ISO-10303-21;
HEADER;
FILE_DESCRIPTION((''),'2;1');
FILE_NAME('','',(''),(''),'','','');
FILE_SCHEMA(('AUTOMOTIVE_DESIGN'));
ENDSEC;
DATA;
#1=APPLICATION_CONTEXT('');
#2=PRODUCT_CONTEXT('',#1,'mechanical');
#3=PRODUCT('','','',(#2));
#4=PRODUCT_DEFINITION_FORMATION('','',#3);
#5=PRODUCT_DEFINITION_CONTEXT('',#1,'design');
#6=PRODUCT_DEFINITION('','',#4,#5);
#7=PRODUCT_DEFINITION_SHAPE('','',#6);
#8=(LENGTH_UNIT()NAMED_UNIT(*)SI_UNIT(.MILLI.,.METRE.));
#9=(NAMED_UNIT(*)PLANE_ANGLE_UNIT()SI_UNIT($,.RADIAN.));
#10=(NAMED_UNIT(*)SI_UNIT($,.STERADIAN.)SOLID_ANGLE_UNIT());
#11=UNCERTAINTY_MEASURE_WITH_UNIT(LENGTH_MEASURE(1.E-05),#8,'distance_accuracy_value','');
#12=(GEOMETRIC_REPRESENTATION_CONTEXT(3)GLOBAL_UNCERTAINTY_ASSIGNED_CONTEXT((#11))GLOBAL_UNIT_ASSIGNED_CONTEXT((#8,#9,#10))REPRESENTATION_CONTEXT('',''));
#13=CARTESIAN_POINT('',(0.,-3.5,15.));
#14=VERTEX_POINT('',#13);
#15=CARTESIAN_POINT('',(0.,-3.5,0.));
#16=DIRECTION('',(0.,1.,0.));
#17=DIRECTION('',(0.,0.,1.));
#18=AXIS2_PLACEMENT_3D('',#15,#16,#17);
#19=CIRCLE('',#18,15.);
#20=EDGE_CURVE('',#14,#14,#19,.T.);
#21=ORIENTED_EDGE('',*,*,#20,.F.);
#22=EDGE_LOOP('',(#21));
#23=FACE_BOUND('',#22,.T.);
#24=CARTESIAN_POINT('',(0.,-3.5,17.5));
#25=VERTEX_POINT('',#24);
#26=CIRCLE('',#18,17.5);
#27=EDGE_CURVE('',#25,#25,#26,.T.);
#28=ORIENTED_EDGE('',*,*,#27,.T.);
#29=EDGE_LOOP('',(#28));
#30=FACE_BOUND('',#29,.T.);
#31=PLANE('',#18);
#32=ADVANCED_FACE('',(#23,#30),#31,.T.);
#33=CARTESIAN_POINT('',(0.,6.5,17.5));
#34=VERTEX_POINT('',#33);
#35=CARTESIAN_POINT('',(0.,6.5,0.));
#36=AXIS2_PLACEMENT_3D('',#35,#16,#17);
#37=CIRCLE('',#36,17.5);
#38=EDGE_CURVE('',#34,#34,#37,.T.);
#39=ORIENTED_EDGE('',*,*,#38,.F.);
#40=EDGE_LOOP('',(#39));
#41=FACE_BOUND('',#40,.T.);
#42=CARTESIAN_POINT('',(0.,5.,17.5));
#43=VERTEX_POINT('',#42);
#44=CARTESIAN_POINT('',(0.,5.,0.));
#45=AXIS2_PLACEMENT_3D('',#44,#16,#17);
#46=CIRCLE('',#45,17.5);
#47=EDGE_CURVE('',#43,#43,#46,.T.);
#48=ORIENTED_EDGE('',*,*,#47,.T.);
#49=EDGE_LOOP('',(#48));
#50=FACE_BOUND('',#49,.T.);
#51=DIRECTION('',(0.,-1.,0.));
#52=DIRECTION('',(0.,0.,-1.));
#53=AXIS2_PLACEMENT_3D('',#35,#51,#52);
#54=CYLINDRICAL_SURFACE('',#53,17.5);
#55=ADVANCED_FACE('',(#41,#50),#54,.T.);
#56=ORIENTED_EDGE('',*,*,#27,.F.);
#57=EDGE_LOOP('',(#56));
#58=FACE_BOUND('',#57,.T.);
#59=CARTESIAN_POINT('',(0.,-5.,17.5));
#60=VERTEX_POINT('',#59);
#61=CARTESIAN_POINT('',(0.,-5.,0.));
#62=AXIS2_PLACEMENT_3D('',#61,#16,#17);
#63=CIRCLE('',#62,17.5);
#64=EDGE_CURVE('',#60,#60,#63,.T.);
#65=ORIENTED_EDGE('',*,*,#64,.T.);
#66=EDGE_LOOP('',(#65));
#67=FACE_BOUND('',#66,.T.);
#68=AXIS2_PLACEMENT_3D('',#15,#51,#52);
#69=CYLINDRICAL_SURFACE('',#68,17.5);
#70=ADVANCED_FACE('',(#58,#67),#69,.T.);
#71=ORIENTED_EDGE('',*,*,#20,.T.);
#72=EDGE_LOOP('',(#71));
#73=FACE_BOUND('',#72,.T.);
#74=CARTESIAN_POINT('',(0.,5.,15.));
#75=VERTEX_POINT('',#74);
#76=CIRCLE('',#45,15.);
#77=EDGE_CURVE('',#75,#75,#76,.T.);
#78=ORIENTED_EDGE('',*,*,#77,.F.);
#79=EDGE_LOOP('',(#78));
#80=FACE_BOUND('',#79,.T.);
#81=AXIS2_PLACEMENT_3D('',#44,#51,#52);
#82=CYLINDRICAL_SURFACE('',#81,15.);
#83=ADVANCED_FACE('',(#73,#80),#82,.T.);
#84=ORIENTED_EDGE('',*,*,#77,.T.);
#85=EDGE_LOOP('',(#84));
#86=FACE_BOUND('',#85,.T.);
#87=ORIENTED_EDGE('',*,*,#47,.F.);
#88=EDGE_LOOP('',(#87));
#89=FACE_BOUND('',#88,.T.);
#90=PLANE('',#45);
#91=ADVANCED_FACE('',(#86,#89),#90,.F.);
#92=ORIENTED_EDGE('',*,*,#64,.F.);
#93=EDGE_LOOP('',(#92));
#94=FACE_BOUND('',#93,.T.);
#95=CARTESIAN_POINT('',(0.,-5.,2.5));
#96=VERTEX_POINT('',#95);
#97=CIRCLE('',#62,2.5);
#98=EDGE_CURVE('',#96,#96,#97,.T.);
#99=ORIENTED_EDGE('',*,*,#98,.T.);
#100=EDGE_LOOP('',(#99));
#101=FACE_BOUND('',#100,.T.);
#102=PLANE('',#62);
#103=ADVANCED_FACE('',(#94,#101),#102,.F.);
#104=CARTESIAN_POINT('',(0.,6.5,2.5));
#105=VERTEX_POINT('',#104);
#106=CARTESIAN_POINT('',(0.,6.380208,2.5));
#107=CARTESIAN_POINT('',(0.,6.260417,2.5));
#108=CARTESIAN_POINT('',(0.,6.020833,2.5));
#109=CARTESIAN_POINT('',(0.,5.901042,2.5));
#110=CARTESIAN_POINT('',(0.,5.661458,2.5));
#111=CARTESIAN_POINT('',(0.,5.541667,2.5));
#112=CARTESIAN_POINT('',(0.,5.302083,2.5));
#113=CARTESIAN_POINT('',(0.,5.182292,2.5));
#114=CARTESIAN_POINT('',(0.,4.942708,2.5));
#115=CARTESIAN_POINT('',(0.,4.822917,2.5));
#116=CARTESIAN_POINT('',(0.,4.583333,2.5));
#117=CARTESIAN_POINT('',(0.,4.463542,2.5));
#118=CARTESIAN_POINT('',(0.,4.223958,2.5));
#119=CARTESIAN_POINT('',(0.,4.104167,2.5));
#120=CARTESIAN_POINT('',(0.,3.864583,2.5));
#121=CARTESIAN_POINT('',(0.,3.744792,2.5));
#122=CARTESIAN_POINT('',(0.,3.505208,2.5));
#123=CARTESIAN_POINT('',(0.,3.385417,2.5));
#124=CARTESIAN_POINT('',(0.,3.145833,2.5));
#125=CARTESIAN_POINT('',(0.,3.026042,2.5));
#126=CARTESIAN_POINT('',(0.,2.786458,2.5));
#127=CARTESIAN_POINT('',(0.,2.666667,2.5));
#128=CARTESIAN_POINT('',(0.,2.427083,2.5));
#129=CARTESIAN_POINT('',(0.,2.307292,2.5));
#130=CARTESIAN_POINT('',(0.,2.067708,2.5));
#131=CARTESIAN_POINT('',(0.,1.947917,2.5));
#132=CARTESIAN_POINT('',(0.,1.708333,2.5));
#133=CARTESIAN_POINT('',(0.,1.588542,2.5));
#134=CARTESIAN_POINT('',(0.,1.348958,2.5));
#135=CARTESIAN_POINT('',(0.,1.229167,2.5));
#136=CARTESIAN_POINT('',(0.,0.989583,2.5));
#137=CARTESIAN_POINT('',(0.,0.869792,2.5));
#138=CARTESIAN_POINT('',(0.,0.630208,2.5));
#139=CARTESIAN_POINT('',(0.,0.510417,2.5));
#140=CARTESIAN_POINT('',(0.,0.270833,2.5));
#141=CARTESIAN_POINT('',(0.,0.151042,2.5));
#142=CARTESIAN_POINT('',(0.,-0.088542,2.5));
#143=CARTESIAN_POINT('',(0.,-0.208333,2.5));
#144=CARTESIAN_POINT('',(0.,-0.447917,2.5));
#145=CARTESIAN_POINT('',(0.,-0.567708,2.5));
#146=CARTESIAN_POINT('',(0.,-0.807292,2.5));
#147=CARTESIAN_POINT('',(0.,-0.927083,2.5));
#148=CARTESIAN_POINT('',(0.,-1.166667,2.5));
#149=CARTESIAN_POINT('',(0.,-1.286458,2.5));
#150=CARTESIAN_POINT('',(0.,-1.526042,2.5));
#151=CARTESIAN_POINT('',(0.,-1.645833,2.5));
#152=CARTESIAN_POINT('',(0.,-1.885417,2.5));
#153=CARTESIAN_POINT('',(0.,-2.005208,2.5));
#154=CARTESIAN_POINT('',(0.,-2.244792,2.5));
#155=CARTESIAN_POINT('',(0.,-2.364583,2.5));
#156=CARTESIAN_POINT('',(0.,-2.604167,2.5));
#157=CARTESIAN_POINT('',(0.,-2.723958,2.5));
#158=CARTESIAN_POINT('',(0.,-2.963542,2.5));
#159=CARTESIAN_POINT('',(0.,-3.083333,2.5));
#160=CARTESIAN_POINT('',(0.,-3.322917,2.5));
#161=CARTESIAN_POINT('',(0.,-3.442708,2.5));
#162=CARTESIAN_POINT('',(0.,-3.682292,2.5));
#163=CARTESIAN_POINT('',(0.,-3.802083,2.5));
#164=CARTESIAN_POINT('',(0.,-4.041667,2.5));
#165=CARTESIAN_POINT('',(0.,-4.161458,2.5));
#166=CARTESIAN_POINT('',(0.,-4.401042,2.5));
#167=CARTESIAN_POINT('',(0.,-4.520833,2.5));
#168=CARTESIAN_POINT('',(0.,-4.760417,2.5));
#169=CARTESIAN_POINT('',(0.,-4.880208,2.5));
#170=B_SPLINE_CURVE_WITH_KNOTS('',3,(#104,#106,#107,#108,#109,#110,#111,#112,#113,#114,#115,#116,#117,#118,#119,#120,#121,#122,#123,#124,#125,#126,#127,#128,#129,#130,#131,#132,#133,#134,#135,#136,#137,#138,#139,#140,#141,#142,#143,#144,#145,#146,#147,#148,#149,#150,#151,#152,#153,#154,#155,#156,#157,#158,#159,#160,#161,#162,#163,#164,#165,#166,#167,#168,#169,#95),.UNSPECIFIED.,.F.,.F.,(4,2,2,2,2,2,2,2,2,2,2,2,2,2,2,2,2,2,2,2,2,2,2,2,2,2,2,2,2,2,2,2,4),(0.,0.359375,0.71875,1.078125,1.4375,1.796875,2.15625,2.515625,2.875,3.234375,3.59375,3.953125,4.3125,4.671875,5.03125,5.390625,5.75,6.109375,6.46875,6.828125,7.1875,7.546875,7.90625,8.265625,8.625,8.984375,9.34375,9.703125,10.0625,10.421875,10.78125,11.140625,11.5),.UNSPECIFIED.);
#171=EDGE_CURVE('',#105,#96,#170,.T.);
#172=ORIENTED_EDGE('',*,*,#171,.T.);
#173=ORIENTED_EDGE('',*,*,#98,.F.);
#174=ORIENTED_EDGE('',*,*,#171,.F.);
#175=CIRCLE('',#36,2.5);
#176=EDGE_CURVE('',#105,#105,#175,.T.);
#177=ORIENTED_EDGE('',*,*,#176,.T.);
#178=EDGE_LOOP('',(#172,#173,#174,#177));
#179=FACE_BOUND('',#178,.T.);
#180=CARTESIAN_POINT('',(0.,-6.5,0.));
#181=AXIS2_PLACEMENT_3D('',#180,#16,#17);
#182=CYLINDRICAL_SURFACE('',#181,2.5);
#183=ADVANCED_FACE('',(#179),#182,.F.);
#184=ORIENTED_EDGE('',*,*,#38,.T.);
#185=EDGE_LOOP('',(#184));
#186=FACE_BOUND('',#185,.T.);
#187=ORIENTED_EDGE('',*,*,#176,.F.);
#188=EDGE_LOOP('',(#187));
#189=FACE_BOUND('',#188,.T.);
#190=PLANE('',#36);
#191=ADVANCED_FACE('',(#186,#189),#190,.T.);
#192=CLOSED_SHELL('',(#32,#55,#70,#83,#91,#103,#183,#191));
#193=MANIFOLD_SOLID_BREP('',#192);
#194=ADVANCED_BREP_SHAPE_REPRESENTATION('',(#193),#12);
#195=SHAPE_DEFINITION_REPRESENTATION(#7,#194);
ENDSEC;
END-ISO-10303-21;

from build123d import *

# Parameters (mm, degrees)
SKETCH_205_R        = 15
EXTRUDE_1_DEPTH     = 5
EXTRUDE_START       = 5
SKETCH_286_R        = 17.5
EXTRUDE_1_2_DEPTH   = 1.5
EXTRUDE_START_2     = -5
SKETCH_2_2_R        = 17.5
EXTRUDE_2_DEPTH     = 1.5
SKETCH_407_R        = 2.5
CUT_EXTRUDE_1_DEPTH = 6.5


with BuildPart() as part:
    # Sketch 205 → Extrude 1 (new, symmetric)
    with BuildSketch(Plane(origin=(0, 0, 0), x_dir=(1, 0, 0), z_dir=(0, 1, 0))):
        with Locations(Location((0, 0, 0), (0, 0, 270))):
            Circle(SKETCH_205_R)
    extrude(amount=EXTRUDE_1_DEPTH, both=True)

    # Sketch 286 → Extrude 1 2 (add)
    with BuildSketch(Plane(origin=(0, 0, 0), x_dir=(1, 0, 0), z_dir=(0, 1, 0)).offset(EXTRUDE_START)):
        with Locations(Location((0, 0, 0), (0, 0, 270))):
            Circle(SKETCH_286_R)
    extrude(amount=EXTRUDE_1_2_DEPTH)

    # 草图2<2> → 边缘2 (add)
    with BuildSketch(Plane(origin=(0, 0, 0), x_dir=(1, 0, 0), z_dir=(0, 1, 0)).offset(EXTRUDE_START_2)):
        with Locations(Location((0, 0, 0), (0, 0, 270))):
            Circle(SKETCH_2_2_R)
    extrude(amount=EXTRUDE_2_DEPTH)

    # Sketch 407 → 切除-拉伸1 (cut, symmetric)
    with BuildSketch(Plane(origin=(0, 0, 0), x_dir=(1, 0, 0), z_dir=(0, 1, 0))):
        with Locations(Location((0, 0, 0), (0, 0, 270))):
            Circle(SKETCH_407_R)
    extrude(amount=CUT_EXTRUDE_1_DEPTH, both=True, mode=Mode.SUBTRACT)


solid = part.part
